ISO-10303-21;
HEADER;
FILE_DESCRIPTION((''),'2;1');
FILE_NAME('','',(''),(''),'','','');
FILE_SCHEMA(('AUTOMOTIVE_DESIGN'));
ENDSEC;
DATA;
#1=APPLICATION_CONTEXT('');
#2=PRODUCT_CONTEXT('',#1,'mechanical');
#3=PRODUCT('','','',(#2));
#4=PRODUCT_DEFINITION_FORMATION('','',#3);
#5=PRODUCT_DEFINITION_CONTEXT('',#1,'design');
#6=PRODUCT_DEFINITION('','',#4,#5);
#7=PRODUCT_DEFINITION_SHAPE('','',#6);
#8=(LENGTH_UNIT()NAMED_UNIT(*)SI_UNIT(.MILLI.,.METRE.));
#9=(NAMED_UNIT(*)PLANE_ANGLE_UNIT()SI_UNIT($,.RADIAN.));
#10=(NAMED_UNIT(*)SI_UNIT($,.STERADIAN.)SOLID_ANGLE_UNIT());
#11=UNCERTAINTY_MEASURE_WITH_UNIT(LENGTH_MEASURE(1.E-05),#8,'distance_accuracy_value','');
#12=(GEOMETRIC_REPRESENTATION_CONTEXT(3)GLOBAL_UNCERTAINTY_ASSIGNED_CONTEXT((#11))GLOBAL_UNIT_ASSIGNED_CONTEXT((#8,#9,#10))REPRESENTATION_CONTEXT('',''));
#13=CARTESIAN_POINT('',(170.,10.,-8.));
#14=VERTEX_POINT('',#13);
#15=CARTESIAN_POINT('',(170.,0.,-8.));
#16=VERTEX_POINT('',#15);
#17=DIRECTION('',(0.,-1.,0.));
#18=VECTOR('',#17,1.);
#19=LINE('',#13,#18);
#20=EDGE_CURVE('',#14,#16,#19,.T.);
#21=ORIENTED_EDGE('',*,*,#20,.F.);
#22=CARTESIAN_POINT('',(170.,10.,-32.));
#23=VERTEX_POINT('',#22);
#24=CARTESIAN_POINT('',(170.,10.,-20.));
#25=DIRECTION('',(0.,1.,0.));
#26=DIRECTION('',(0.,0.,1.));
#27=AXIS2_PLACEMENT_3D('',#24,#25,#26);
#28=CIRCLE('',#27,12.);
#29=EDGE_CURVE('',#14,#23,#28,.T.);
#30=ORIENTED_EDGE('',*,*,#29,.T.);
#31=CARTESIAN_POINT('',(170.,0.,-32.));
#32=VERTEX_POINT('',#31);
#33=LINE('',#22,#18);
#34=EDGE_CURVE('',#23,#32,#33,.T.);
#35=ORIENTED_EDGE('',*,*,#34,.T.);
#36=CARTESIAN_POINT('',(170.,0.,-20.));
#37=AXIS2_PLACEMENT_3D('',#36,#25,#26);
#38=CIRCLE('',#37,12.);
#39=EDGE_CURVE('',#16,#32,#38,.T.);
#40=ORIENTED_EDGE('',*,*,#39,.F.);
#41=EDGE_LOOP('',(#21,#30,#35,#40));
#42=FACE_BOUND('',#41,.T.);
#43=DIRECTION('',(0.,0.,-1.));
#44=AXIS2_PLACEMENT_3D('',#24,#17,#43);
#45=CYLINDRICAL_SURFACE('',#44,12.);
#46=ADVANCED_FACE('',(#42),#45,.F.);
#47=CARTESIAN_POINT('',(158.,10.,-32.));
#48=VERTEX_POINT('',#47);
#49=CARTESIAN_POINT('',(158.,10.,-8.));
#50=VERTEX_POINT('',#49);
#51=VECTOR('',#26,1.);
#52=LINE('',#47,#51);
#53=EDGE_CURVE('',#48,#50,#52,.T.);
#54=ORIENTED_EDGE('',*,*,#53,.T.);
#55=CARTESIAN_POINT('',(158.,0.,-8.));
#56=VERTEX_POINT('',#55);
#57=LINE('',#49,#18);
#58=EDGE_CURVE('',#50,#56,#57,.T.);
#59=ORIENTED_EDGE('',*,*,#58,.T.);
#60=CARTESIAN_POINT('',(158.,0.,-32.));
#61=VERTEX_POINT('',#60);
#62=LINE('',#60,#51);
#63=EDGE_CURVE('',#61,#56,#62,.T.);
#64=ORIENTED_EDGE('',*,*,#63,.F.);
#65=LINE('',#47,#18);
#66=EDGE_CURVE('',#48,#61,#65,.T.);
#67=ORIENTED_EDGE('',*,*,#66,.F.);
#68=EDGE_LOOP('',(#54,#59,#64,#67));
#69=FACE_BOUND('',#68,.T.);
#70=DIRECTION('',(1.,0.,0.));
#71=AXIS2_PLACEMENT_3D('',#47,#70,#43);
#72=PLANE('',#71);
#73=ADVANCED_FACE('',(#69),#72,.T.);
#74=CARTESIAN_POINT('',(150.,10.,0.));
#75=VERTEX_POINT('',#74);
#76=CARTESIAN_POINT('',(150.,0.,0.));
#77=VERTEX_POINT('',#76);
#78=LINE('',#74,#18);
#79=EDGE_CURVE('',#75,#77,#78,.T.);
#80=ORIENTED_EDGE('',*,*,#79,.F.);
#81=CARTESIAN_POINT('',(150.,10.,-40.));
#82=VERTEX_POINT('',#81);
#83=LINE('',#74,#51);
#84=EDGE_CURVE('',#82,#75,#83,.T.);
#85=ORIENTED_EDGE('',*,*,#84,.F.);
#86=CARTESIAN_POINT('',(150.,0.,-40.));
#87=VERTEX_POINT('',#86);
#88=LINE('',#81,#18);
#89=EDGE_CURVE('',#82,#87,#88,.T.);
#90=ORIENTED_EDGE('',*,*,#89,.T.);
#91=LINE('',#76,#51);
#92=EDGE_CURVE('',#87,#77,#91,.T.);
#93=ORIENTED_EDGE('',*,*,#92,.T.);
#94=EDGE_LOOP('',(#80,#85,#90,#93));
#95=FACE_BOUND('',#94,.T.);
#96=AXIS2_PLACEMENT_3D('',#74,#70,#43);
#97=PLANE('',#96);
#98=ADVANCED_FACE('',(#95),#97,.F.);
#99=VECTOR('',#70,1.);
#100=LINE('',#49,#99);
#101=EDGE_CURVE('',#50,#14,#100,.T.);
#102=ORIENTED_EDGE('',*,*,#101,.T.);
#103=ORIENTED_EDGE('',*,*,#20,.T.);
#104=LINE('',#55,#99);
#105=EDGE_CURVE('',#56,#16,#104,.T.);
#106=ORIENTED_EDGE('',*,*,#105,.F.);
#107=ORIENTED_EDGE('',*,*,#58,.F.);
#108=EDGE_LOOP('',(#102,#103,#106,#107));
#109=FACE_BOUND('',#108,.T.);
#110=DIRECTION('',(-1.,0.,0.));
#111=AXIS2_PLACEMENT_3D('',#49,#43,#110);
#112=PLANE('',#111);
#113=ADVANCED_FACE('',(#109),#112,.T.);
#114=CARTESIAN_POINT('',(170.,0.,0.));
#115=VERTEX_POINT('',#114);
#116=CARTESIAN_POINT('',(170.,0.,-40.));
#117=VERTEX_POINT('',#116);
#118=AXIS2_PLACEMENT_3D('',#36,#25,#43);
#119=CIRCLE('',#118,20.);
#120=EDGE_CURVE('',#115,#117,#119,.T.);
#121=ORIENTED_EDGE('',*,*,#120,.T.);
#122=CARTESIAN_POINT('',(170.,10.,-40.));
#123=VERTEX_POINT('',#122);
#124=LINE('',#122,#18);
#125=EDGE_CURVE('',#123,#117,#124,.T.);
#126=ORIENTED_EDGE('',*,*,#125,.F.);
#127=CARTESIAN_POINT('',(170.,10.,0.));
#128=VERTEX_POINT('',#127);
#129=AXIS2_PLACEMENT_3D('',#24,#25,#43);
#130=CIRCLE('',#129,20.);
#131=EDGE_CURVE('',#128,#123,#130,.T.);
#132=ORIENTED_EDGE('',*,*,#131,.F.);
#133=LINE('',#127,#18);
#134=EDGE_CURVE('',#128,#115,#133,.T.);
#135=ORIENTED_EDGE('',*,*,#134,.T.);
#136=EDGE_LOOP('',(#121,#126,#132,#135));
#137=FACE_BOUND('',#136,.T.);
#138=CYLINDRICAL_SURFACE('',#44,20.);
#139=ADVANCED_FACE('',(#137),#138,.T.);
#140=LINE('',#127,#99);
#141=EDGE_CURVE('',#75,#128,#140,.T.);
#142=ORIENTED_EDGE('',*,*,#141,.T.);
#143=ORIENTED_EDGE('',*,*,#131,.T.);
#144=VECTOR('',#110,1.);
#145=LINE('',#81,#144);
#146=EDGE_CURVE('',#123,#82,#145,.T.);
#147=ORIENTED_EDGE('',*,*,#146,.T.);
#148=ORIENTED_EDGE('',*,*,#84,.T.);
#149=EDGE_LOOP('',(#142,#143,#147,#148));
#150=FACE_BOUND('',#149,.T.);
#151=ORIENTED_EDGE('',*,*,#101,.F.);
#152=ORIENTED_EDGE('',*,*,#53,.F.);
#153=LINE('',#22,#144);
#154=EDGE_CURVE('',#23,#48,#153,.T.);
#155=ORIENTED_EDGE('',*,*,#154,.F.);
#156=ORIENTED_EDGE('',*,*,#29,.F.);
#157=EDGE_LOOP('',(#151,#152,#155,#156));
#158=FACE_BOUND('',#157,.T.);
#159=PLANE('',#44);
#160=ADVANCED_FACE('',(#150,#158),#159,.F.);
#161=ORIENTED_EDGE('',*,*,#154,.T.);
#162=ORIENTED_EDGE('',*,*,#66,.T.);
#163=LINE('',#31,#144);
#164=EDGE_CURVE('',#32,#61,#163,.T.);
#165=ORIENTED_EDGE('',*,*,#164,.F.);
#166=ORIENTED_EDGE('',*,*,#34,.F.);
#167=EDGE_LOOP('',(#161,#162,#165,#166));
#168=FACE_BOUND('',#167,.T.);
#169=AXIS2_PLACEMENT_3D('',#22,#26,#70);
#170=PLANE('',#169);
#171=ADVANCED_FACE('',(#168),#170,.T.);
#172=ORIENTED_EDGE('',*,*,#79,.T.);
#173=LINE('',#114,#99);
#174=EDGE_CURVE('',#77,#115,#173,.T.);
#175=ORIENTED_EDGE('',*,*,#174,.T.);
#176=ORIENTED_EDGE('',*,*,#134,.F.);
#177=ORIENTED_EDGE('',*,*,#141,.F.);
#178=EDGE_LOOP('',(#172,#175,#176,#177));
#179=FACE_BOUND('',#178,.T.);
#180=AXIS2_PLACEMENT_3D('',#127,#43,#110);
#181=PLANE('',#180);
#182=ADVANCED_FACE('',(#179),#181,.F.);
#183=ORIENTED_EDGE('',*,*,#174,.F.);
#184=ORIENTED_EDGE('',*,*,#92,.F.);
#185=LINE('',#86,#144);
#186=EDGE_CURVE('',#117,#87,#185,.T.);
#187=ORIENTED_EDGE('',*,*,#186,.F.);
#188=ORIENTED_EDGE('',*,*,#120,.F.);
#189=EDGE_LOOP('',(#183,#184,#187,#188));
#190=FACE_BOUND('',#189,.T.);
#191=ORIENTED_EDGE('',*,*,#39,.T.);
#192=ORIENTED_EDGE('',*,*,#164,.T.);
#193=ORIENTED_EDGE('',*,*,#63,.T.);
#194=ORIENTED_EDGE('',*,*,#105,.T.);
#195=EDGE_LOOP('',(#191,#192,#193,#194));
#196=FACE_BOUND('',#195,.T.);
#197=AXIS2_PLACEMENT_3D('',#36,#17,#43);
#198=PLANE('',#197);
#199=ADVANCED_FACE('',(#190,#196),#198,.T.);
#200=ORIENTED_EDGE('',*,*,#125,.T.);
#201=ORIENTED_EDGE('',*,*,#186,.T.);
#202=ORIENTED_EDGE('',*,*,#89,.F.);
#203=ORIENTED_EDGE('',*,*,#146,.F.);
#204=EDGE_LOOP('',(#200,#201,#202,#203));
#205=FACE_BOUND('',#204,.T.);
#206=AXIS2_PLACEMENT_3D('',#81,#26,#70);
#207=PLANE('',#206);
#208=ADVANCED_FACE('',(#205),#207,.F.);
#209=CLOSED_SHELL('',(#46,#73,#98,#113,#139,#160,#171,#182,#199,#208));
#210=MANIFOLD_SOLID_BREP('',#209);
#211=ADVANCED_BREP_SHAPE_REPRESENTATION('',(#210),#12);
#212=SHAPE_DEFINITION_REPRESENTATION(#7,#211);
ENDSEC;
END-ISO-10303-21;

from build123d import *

# Parameters (mm, degrees)
BOSS_EXTRUDE1_DEPTH = 10


with BuildPart() as part:
    # Sketch1 → Boss-Extrude1 (new body)
    with BuildSketch(Plane(origin=(0, 0, 0), x_dir=(1, 0, 0), z_dir=(0, 1, 0))):
        with BuildLine():
            Line((150, 0), (150, 40))
            Line((150, 40), (170, 40))
            ThreePointArc((170, 40), (190, 20), (170, 0))
            Line((170, 0), (150, 0))
        make_face()
        with BuildLine():
            Line((170, 32), (158, 32))
            Line((158, 32), (158, 8))
            Line((158, 8), (170, 8))
            ThreePointArc((170, 8), (182, 20), (170, 32))
        make_face(mode=Mode.SUBTRACT)
    extrude(amount=BOSS_EXTRUDE1_DEPTH)


solid = part.part
